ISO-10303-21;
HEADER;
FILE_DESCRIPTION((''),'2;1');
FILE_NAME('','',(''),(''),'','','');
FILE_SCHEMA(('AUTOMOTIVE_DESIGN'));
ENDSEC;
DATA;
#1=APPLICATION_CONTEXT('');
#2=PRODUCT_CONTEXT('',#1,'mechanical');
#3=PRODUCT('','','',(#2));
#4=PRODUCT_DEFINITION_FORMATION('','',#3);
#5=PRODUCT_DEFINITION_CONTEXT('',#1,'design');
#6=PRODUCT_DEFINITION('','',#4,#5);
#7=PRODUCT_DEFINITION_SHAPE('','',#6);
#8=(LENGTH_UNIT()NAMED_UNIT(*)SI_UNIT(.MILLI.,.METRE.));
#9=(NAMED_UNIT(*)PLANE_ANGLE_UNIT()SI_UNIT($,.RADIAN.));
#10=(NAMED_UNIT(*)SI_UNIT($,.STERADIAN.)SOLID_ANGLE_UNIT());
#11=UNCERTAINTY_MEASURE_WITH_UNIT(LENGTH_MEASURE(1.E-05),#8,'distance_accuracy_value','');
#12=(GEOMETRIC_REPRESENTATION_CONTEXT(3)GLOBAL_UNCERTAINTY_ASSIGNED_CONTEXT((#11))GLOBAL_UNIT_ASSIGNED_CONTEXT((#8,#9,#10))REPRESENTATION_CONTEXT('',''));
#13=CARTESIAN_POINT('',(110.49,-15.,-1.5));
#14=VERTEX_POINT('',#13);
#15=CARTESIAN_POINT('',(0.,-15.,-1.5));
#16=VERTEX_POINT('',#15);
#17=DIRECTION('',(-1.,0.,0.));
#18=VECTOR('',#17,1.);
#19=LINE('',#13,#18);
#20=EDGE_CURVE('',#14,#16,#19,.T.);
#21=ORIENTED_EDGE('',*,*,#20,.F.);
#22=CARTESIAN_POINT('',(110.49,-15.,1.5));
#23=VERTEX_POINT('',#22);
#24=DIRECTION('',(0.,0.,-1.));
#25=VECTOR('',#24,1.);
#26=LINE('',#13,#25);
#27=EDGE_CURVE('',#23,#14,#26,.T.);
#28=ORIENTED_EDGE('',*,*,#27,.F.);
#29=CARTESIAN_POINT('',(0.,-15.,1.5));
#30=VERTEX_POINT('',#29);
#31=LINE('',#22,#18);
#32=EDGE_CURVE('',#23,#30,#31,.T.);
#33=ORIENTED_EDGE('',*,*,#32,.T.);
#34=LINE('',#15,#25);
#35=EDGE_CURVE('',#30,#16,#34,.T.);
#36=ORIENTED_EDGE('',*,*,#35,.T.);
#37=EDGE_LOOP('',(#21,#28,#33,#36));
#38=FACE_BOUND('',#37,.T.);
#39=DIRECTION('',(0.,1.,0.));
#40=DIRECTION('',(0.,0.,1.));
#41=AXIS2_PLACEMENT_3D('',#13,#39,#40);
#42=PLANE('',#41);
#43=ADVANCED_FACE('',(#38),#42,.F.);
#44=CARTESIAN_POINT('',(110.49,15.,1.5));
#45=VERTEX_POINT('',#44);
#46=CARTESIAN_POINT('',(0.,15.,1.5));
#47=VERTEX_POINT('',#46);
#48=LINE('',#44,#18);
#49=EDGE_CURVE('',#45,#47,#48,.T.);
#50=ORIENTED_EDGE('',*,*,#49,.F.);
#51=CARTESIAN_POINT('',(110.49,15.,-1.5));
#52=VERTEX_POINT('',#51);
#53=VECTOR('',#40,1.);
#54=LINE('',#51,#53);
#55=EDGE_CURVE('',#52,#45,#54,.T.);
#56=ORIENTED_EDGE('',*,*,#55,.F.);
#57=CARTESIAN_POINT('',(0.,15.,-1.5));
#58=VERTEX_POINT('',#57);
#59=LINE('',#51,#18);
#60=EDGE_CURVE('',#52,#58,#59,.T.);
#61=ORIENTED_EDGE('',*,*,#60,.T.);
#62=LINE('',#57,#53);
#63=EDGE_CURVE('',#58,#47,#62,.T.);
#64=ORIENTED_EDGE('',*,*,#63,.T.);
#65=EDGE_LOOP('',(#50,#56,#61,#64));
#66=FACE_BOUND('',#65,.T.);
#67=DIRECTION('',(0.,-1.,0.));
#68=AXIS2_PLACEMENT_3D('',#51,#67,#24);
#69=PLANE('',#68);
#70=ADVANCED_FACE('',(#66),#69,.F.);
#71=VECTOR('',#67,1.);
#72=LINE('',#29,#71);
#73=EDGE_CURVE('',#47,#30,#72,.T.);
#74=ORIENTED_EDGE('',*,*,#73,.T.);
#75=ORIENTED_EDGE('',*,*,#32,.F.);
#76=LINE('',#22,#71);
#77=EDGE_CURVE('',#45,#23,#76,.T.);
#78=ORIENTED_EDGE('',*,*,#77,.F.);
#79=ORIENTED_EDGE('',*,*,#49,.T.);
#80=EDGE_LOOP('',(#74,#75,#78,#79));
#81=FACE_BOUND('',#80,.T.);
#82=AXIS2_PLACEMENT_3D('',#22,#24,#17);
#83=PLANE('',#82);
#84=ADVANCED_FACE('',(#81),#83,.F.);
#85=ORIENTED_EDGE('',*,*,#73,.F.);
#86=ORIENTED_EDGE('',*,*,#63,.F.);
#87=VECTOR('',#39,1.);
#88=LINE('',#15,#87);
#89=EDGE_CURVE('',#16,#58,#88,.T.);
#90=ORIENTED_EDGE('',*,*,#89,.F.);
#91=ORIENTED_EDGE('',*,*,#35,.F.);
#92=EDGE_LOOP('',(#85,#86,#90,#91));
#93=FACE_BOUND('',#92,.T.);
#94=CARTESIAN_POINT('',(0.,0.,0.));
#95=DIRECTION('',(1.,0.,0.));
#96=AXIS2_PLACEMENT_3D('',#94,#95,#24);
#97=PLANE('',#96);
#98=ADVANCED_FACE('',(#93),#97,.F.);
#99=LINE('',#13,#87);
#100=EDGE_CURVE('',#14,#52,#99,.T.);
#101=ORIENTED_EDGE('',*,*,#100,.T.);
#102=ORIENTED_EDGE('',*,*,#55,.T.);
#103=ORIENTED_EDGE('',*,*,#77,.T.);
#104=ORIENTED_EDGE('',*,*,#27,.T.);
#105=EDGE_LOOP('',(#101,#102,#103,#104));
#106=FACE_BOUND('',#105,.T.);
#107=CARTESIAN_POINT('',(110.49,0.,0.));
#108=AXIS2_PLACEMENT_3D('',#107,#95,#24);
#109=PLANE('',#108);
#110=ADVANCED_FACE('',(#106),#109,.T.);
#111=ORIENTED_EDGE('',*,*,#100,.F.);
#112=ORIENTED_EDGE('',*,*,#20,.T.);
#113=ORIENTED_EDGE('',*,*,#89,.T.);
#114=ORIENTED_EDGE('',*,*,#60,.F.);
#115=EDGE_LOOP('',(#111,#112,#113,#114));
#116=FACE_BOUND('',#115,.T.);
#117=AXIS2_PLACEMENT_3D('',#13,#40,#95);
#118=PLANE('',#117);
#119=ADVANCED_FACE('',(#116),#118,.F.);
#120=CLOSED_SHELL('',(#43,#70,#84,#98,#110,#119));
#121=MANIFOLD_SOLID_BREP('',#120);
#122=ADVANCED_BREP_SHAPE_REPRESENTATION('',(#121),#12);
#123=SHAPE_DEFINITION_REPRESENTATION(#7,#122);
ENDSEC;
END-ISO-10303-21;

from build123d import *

# Parameters (mm, degrees)
CROQUIS1_W              = 3
CROQUIS1_H              = 30
SALIENTE_EXTRUIR1_DEPTH = 110.49


with BuildPart() as part:
    # Croquis1 → Saliente-Extruir1 (new body)
    with BuildSketch(Plane(origin=(0, 0, 0), x_dir=(0, 0, -1), z_dir=(1, 0, 0))):
        Rectangle(CROQUIS1_W, CROQUIS1_H)
    extrude(amount=SALIENTE_EXTRUIR1_DEPTH)


solid = part.part
